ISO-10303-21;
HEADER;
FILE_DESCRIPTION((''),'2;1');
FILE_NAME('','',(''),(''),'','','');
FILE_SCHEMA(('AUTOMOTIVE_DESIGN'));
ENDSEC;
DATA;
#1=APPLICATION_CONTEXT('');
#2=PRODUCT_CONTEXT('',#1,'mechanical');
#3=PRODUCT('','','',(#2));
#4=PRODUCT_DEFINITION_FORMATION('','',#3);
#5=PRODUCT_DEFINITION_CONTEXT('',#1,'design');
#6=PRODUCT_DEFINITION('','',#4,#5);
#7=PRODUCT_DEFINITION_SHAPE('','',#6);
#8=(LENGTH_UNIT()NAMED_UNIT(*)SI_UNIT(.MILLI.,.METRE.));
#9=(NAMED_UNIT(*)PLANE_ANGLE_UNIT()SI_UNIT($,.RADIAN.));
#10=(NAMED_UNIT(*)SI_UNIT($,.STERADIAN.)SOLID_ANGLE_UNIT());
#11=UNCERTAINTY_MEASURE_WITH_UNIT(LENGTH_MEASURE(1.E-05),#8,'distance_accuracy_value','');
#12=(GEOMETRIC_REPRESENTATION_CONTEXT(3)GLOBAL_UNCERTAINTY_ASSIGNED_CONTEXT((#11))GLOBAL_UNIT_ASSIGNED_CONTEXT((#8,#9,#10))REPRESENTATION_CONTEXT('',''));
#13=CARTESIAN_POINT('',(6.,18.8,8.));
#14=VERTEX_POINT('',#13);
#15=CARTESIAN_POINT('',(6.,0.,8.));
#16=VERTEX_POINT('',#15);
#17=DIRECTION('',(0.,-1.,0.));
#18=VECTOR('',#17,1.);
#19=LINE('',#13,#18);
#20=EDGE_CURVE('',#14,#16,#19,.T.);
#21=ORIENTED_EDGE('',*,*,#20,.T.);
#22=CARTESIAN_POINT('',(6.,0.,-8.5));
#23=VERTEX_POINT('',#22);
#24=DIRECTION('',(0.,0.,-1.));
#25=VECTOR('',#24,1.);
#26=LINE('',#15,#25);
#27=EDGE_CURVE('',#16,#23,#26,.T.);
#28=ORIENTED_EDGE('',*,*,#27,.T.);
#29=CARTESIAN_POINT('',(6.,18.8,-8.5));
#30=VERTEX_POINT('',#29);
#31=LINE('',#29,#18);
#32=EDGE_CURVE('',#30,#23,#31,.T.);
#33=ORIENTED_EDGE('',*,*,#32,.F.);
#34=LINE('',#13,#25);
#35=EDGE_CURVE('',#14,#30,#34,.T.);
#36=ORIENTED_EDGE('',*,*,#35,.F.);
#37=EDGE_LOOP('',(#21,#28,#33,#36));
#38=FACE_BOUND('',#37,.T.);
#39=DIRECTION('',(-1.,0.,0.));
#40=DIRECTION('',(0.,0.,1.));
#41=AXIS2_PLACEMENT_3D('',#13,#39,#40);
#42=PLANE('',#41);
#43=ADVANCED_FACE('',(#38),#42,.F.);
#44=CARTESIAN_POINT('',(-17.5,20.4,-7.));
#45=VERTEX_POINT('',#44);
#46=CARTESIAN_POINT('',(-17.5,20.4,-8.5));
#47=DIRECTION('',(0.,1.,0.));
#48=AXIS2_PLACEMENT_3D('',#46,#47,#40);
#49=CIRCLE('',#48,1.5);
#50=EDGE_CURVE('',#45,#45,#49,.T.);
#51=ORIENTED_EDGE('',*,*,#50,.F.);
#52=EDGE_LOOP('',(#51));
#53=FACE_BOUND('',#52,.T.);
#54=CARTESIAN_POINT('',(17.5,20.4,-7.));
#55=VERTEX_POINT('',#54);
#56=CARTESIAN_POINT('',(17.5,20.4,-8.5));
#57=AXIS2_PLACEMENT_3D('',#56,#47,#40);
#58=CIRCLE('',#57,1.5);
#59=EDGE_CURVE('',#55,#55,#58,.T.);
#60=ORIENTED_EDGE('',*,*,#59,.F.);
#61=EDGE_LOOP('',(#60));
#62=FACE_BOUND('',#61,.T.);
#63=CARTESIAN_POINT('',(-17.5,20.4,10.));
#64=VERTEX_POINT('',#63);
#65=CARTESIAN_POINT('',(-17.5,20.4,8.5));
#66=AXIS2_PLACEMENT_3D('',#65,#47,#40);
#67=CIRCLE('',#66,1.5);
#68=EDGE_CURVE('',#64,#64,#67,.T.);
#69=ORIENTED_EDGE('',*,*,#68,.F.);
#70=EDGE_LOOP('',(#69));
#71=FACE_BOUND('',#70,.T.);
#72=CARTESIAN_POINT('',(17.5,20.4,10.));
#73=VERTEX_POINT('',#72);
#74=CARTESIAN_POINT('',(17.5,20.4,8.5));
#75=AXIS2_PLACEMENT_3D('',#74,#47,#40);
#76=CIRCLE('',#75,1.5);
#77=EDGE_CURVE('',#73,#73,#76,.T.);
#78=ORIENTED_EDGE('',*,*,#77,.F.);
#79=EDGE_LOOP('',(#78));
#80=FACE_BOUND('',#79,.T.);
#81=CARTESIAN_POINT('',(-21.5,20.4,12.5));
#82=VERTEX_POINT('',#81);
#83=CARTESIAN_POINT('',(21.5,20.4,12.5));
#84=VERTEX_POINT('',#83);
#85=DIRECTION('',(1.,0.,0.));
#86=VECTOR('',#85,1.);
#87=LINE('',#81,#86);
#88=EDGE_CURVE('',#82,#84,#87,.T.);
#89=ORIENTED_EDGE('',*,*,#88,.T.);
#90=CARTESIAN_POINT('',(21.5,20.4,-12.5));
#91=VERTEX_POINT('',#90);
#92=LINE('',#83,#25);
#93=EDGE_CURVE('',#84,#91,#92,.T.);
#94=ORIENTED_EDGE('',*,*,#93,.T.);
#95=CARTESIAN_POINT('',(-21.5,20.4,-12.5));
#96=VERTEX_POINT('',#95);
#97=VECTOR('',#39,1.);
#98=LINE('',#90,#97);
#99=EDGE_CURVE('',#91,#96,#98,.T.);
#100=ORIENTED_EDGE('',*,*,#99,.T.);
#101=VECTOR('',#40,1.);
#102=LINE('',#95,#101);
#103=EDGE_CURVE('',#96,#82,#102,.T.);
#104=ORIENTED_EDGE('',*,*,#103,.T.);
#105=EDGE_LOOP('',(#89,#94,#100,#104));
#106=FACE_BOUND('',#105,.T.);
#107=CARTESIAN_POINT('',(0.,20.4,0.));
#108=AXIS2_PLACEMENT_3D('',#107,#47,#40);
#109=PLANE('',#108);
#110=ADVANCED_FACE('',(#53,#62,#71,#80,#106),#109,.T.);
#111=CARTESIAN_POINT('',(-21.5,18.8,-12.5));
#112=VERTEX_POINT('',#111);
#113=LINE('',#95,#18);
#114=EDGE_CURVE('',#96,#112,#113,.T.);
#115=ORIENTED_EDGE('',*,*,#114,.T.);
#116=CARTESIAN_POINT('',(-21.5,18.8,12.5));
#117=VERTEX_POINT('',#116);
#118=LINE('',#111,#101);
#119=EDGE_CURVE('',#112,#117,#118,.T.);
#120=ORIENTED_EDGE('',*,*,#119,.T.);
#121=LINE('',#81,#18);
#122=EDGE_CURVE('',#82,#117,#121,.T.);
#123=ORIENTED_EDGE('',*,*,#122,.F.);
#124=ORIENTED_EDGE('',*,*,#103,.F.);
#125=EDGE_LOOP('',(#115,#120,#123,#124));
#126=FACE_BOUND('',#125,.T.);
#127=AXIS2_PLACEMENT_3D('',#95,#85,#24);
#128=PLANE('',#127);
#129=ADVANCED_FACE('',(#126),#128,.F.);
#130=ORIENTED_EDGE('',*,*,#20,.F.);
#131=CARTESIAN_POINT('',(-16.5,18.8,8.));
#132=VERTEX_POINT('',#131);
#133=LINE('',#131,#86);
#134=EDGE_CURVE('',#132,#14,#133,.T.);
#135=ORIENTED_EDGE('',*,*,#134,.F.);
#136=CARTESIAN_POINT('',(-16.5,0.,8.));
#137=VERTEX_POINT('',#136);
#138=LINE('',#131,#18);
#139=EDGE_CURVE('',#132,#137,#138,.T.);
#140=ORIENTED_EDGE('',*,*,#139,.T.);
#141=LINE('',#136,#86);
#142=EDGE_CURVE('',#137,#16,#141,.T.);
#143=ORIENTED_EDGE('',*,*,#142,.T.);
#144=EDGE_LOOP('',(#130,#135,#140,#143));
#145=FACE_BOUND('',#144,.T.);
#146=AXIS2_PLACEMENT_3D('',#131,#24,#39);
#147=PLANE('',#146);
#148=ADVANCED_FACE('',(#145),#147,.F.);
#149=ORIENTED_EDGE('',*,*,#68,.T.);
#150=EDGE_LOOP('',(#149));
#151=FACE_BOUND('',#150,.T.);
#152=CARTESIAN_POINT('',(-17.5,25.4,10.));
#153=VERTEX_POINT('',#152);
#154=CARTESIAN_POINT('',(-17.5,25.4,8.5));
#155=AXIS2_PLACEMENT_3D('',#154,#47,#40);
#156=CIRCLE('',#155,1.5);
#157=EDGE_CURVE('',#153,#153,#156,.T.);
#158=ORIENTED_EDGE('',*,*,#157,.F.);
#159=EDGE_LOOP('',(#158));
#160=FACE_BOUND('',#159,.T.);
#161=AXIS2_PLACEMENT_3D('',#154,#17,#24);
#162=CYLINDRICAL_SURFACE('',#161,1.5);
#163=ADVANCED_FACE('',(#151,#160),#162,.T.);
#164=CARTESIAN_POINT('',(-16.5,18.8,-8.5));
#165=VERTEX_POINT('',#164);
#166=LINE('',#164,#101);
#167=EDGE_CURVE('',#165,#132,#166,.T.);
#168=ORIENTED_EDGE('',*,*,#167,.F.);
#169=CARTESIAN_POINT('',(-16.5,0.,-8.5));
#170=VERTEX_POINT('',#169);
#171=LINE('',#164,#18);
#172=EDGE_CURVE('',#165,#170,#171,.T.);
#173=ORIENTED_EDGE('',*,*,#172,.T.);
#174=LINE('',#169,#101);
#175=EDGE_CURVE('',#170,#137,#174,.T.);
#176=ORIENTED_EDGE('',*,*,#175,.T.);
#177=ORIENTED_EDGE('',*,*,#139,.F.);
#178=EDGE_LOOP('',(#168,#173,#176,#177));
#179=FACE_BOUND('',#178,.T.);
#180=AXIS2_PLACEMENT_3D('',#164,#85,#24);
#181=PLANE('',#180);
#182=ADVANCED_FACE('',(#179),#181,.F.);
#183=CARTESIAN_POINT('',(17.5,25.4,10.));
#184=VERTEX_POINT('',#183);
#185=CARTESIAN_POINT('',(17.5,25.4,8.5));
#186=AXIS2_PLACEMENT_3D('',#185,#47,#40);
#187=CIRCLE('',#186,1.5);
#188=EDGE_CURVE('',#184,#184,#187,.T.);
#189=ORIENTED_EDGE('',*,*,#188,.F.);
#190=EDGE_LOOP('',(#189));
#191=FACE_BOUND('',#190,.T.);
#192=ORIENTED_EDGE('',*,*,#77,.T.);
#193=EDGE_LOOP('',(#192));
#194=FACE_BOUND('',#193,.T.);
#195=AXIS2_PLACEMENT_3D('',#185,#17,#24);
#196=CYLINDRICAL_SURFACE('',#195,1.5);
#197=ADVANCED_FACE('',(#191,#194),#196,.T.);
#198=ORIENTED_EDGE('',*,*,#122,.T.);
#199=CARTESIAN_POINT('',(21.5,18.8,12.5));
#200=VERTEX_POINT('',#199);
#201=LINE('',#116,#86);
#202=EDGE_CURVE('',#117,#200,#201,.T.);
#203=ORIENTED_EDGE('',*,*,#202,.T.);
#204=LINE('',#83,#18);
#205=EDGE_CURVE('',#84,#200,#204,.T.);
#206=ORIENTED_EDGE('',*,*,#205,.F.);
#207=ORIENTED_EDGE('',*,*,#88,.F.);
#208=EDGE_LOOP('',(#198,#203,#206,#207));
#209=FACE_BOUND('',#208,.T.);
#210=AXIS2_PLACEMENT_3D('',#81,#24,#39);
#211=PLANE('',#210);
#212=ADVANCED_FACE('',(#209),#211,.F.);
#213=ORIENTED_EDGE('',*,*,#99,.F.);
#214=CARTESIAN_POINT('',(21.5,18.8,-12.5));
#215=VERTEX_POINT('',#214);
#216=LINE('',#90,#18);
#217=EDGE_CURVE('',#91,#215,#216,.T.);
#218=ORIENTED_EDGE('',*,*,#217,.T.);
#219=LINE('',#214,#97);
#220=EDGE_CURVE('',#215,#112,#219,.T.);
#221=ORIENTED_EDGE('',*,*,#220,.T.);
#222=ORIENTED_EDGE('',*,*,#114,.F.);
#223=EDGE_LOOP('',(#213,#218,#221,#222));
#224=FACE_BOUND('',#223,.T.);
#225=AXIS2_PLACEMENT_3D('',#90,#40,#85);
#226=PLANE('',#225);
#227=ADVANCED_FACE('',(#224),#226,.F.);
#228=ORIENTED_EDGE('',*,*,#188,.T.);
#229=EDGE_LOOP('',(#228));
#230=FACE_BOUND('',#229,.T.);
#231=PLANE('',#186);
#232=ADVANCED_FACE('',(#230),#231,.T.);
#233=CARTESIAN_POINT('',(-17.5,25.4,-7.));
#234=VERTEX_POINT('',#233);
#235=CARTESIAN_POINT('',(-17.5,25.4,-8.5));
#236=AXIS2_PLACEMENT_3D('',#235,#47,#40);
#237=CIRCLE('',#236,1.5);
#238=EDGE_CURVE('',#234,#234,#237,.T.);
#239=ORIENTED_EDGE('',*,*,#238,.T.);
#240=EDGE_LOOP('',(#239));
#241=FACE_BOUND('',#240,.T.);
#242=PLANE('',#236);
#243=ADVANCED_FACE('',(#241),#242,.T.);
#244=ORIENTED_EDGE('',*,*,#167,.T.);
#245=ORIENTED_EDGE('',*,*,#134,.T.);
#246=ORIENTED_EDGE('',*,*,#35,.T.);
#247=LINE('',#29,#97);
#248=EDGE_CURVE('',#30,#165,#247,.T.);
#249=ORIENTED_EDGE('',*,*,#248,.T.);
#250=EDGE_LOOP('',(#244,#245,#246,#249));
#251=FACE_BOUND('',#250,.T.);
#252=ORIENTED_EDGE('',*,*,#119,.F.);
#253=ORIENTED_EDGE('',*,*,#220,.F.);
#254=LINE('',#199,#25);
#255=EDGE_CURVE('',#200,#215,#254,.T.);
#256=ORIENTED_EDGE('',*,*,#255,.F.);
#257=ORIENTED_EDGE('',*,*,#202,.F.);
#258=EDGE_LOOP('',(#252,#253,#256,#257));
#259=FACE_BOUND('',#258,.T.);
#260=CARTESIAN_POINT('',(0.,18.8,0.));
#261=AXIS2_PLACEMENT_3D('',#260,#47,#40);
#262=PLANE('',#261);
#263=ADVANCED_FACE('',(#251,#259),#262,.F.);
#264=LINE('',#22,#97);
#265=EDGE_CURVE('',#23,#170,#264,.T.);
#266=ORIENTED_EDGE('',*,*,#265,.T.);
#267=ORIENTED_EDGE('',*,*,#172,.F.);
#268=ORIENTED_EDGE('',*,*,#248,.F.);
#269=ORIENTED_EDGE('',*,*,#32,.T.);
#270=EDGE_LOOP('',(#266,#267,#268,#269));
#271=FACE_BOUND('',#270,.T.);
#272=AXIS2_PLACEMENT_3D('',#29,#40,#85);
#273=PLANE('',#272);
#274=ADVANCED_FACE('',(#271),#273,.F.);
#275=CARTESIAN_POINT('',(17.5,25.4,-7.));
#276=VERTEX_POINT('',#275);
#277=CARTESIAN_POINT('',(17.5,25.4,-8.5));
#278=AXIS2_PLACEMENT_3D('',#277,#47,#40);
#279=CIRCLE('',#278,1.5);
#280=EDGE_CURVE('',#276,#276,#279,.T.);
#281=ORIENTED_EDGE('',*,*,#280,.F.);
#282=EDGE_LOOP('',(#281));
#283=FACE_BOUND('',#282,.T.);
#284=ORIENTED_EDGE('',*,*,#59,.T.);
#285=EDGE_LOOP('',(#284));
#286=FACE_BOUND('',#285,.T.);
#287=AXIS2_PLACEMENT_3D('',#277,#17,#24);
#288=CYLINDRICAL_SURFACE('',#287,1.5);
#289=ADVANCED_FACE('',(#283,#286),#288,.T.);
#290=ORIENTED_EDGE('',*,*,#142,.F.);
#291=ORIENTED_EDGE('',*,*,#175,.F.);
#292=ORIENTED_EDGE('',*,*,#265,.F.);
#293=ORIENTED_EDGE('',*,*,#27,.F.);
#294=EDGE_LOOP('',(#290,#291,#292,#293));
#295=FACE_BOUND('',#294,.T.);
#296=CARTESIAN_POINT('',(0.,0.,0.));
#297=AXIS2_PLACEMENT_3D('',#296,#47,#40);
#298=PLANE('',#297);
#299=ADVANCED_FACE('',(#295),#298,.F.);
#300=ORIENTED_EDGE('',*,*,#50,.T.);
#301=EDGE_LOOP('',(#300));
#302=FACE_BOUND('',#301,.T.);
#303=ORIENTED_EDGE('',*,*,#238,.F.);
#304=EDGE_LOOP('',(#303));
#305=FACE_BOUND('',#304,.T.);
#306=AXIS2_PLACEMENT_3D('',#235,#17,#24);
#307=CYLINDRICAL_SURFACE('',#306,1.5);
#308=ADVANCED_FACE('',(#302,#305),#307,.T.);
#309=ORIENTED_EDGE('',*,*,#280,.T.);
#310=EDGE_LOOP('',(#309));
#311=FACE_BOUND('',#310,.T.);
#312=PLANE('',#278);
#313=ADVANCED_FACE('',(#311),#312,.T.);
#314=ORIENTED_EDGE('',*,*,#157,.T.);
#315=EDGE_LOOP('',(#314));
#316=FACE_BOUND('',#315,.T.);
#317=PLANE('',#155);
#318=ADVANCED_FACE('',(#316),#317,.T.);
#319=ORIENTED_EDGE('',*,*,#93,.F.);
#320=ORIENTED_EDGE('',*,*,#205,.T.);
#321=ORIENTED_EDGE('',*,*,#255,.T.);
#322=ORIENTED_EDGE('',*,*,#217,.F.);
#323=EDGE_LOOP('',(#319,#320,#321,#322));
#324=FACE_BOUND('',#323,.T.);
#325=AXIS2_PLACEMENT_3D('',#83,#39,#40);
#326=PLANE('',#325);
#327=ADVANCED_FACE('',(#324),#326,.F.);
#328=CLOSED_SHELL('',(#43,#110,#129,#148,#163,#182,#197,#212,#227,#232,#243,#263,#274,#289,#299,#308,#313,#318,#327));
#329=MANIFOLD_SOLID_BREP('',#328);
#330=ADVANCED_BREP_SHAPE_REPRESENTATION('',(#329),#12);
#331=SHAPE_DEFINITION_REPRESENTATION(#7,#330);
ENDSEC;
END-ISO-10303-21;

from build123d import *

# Parameters (mm, degrees)
P01_STANDOFF_START                = 20.4
SK_P01_STANDOFF_R                 = 1.5
P01_STANDOFF_DEPTH                = 5
P02_STANDOFF_START                = 20.4
SK_P02_STANDOFF_R                 = 1.5
P02_STANDOFF_DEPTH                = 5
P03_STANDOFF_START                = 20.4
SK_P03_STANDOFF_R                 = 1.5
P03_STANDOFF_DEPTH                = 5
P04_STANDOFF_START                = 20.4
SK_P04_STANDOFF_R                 = 1.5
P04_STANDOFF_DEPTH                = 5
P05_POLOLURCSWITCHWITHRELAY_START = 18.8
SK_P05_POLOLURCSWITCHWITHRELAY_W  = 43
SK_P05_POLOLURCSWITCHWITHRELAY_H  = 25
P05_POLOLURCSWITCHWITHRELAY_DEPTH = 1.6
SK_P06_RELAYG5LE_W                = 22.5
SK_P06_RELAYG5LE_H                = 16.5
P06_RELAYG5LE_DEPTH               = 18.8


with BuildPart() as part:
    # SK_P01_Standoff → P01_Standoff (new body)
    with BuildSketch(Plane(origin=(0, 0, 0), x_dir=(1, 0, 0), z_dir=(0, 1, 0)).offset(P01_STANDOFF_START)):
        with Locations(Location((-17.5, 8.5, 0), (0, 0, 270))):
            Circle(SK_P01_STANDOFF_R)
    extrude(amount=P01_STANDOFF_DEPTH)



with BuildPart() as body_2:
    # SK_P02_Standoff → P02_Standoff (new body)
    with BuildSketch(Plane(origin=(0, 0, 0), x_dir=(1, 0, 0), z_dir=(0, 1, 0)).offset(P02_STANDOFF_START)):
        with Locations(Location((-17.5, -8.5, 0), (0, 0, 270))):
            Circle(SK_P02_STANDOFF_R)
    extrude(amount=P02_STANDOFF_DEPTH)


with BuildPart() as body_3:
    # SK_P03_Standoff → P03_Standoff (new body)
    with BuildSketch(Plane(origin=(0, 0, 0), x_dir=(1, 0, 0), z_dir=(0, 1, 0)).offset(P03_STANDOFF_START)):
        with Locations(Location((17.5, 8.5, 0), (0, 0, 270))):
            Circle(SK_P03_STANDOFF_R)
    extrude(amount=P03_STANDOFF_DEPTH)


with BuildPart() as body_4:
    # SK_P04_Standoff → P04_Standoff (new body)
    with BuildSketch(Plane(origin=(0, 0, 0), x_dir=(1, 0, 0), z_dir=(0, 1, 0)).offset(P04_STANDOFF_START)):
        with Locations(Location((17.5, -8.5, 0), (0, 0, 270))):
            Circle(SK_P04_STANDOFF_R)
    extrude(amount=P04_STANDOFF_DEPTH)


with BuildPart() as part_1:
    add(part.part)

    add(body_2.part)  # P05_PololuRCswitchwithrelay merges body 2

    add(body_3.part)  # P05_PololuRCswitchwithrelay merges body 3

    add(body_4.part)  # P05_PololuRCswitchwithrelay merges body 4
    # SK_P05_PololuRCswitchwithrelay → P05_PololuRCswitchwithrelay (add)
    with BuildSketch(Plane(origin=(0, 0, 0), x_dir=(1, 0, 0), z_dir=(0, 1, 0)).offset(P05_POLOLURCSWITCHWITHRELAY_START)):
        Rectangle(SK_P05_POLOLURCSWITCHWITHRELAY_W, SK_P05_POLOLURCSWITCHWITHRELAY_H)
    extrude(amount=P05_POLOLURCSWITCHWITHRELAY_DEPTH)

    # SK_P06_RelayG5LE → P06_RelayG5LE (add)
    with BuildSketch(Plane(origin=(0, 0, 0), x_dir=(1, 0, 0), z_dir=(0, 1, 0))):
        with Locations((-5.25, 0.25)):
            Rectangle(SK_P06_RELAYG5LE_W, SK_P06_RELAYG5LE_H)
    extrude(amount=P06_RELAYG5LE_DEPTH)


solid = part_1.part
